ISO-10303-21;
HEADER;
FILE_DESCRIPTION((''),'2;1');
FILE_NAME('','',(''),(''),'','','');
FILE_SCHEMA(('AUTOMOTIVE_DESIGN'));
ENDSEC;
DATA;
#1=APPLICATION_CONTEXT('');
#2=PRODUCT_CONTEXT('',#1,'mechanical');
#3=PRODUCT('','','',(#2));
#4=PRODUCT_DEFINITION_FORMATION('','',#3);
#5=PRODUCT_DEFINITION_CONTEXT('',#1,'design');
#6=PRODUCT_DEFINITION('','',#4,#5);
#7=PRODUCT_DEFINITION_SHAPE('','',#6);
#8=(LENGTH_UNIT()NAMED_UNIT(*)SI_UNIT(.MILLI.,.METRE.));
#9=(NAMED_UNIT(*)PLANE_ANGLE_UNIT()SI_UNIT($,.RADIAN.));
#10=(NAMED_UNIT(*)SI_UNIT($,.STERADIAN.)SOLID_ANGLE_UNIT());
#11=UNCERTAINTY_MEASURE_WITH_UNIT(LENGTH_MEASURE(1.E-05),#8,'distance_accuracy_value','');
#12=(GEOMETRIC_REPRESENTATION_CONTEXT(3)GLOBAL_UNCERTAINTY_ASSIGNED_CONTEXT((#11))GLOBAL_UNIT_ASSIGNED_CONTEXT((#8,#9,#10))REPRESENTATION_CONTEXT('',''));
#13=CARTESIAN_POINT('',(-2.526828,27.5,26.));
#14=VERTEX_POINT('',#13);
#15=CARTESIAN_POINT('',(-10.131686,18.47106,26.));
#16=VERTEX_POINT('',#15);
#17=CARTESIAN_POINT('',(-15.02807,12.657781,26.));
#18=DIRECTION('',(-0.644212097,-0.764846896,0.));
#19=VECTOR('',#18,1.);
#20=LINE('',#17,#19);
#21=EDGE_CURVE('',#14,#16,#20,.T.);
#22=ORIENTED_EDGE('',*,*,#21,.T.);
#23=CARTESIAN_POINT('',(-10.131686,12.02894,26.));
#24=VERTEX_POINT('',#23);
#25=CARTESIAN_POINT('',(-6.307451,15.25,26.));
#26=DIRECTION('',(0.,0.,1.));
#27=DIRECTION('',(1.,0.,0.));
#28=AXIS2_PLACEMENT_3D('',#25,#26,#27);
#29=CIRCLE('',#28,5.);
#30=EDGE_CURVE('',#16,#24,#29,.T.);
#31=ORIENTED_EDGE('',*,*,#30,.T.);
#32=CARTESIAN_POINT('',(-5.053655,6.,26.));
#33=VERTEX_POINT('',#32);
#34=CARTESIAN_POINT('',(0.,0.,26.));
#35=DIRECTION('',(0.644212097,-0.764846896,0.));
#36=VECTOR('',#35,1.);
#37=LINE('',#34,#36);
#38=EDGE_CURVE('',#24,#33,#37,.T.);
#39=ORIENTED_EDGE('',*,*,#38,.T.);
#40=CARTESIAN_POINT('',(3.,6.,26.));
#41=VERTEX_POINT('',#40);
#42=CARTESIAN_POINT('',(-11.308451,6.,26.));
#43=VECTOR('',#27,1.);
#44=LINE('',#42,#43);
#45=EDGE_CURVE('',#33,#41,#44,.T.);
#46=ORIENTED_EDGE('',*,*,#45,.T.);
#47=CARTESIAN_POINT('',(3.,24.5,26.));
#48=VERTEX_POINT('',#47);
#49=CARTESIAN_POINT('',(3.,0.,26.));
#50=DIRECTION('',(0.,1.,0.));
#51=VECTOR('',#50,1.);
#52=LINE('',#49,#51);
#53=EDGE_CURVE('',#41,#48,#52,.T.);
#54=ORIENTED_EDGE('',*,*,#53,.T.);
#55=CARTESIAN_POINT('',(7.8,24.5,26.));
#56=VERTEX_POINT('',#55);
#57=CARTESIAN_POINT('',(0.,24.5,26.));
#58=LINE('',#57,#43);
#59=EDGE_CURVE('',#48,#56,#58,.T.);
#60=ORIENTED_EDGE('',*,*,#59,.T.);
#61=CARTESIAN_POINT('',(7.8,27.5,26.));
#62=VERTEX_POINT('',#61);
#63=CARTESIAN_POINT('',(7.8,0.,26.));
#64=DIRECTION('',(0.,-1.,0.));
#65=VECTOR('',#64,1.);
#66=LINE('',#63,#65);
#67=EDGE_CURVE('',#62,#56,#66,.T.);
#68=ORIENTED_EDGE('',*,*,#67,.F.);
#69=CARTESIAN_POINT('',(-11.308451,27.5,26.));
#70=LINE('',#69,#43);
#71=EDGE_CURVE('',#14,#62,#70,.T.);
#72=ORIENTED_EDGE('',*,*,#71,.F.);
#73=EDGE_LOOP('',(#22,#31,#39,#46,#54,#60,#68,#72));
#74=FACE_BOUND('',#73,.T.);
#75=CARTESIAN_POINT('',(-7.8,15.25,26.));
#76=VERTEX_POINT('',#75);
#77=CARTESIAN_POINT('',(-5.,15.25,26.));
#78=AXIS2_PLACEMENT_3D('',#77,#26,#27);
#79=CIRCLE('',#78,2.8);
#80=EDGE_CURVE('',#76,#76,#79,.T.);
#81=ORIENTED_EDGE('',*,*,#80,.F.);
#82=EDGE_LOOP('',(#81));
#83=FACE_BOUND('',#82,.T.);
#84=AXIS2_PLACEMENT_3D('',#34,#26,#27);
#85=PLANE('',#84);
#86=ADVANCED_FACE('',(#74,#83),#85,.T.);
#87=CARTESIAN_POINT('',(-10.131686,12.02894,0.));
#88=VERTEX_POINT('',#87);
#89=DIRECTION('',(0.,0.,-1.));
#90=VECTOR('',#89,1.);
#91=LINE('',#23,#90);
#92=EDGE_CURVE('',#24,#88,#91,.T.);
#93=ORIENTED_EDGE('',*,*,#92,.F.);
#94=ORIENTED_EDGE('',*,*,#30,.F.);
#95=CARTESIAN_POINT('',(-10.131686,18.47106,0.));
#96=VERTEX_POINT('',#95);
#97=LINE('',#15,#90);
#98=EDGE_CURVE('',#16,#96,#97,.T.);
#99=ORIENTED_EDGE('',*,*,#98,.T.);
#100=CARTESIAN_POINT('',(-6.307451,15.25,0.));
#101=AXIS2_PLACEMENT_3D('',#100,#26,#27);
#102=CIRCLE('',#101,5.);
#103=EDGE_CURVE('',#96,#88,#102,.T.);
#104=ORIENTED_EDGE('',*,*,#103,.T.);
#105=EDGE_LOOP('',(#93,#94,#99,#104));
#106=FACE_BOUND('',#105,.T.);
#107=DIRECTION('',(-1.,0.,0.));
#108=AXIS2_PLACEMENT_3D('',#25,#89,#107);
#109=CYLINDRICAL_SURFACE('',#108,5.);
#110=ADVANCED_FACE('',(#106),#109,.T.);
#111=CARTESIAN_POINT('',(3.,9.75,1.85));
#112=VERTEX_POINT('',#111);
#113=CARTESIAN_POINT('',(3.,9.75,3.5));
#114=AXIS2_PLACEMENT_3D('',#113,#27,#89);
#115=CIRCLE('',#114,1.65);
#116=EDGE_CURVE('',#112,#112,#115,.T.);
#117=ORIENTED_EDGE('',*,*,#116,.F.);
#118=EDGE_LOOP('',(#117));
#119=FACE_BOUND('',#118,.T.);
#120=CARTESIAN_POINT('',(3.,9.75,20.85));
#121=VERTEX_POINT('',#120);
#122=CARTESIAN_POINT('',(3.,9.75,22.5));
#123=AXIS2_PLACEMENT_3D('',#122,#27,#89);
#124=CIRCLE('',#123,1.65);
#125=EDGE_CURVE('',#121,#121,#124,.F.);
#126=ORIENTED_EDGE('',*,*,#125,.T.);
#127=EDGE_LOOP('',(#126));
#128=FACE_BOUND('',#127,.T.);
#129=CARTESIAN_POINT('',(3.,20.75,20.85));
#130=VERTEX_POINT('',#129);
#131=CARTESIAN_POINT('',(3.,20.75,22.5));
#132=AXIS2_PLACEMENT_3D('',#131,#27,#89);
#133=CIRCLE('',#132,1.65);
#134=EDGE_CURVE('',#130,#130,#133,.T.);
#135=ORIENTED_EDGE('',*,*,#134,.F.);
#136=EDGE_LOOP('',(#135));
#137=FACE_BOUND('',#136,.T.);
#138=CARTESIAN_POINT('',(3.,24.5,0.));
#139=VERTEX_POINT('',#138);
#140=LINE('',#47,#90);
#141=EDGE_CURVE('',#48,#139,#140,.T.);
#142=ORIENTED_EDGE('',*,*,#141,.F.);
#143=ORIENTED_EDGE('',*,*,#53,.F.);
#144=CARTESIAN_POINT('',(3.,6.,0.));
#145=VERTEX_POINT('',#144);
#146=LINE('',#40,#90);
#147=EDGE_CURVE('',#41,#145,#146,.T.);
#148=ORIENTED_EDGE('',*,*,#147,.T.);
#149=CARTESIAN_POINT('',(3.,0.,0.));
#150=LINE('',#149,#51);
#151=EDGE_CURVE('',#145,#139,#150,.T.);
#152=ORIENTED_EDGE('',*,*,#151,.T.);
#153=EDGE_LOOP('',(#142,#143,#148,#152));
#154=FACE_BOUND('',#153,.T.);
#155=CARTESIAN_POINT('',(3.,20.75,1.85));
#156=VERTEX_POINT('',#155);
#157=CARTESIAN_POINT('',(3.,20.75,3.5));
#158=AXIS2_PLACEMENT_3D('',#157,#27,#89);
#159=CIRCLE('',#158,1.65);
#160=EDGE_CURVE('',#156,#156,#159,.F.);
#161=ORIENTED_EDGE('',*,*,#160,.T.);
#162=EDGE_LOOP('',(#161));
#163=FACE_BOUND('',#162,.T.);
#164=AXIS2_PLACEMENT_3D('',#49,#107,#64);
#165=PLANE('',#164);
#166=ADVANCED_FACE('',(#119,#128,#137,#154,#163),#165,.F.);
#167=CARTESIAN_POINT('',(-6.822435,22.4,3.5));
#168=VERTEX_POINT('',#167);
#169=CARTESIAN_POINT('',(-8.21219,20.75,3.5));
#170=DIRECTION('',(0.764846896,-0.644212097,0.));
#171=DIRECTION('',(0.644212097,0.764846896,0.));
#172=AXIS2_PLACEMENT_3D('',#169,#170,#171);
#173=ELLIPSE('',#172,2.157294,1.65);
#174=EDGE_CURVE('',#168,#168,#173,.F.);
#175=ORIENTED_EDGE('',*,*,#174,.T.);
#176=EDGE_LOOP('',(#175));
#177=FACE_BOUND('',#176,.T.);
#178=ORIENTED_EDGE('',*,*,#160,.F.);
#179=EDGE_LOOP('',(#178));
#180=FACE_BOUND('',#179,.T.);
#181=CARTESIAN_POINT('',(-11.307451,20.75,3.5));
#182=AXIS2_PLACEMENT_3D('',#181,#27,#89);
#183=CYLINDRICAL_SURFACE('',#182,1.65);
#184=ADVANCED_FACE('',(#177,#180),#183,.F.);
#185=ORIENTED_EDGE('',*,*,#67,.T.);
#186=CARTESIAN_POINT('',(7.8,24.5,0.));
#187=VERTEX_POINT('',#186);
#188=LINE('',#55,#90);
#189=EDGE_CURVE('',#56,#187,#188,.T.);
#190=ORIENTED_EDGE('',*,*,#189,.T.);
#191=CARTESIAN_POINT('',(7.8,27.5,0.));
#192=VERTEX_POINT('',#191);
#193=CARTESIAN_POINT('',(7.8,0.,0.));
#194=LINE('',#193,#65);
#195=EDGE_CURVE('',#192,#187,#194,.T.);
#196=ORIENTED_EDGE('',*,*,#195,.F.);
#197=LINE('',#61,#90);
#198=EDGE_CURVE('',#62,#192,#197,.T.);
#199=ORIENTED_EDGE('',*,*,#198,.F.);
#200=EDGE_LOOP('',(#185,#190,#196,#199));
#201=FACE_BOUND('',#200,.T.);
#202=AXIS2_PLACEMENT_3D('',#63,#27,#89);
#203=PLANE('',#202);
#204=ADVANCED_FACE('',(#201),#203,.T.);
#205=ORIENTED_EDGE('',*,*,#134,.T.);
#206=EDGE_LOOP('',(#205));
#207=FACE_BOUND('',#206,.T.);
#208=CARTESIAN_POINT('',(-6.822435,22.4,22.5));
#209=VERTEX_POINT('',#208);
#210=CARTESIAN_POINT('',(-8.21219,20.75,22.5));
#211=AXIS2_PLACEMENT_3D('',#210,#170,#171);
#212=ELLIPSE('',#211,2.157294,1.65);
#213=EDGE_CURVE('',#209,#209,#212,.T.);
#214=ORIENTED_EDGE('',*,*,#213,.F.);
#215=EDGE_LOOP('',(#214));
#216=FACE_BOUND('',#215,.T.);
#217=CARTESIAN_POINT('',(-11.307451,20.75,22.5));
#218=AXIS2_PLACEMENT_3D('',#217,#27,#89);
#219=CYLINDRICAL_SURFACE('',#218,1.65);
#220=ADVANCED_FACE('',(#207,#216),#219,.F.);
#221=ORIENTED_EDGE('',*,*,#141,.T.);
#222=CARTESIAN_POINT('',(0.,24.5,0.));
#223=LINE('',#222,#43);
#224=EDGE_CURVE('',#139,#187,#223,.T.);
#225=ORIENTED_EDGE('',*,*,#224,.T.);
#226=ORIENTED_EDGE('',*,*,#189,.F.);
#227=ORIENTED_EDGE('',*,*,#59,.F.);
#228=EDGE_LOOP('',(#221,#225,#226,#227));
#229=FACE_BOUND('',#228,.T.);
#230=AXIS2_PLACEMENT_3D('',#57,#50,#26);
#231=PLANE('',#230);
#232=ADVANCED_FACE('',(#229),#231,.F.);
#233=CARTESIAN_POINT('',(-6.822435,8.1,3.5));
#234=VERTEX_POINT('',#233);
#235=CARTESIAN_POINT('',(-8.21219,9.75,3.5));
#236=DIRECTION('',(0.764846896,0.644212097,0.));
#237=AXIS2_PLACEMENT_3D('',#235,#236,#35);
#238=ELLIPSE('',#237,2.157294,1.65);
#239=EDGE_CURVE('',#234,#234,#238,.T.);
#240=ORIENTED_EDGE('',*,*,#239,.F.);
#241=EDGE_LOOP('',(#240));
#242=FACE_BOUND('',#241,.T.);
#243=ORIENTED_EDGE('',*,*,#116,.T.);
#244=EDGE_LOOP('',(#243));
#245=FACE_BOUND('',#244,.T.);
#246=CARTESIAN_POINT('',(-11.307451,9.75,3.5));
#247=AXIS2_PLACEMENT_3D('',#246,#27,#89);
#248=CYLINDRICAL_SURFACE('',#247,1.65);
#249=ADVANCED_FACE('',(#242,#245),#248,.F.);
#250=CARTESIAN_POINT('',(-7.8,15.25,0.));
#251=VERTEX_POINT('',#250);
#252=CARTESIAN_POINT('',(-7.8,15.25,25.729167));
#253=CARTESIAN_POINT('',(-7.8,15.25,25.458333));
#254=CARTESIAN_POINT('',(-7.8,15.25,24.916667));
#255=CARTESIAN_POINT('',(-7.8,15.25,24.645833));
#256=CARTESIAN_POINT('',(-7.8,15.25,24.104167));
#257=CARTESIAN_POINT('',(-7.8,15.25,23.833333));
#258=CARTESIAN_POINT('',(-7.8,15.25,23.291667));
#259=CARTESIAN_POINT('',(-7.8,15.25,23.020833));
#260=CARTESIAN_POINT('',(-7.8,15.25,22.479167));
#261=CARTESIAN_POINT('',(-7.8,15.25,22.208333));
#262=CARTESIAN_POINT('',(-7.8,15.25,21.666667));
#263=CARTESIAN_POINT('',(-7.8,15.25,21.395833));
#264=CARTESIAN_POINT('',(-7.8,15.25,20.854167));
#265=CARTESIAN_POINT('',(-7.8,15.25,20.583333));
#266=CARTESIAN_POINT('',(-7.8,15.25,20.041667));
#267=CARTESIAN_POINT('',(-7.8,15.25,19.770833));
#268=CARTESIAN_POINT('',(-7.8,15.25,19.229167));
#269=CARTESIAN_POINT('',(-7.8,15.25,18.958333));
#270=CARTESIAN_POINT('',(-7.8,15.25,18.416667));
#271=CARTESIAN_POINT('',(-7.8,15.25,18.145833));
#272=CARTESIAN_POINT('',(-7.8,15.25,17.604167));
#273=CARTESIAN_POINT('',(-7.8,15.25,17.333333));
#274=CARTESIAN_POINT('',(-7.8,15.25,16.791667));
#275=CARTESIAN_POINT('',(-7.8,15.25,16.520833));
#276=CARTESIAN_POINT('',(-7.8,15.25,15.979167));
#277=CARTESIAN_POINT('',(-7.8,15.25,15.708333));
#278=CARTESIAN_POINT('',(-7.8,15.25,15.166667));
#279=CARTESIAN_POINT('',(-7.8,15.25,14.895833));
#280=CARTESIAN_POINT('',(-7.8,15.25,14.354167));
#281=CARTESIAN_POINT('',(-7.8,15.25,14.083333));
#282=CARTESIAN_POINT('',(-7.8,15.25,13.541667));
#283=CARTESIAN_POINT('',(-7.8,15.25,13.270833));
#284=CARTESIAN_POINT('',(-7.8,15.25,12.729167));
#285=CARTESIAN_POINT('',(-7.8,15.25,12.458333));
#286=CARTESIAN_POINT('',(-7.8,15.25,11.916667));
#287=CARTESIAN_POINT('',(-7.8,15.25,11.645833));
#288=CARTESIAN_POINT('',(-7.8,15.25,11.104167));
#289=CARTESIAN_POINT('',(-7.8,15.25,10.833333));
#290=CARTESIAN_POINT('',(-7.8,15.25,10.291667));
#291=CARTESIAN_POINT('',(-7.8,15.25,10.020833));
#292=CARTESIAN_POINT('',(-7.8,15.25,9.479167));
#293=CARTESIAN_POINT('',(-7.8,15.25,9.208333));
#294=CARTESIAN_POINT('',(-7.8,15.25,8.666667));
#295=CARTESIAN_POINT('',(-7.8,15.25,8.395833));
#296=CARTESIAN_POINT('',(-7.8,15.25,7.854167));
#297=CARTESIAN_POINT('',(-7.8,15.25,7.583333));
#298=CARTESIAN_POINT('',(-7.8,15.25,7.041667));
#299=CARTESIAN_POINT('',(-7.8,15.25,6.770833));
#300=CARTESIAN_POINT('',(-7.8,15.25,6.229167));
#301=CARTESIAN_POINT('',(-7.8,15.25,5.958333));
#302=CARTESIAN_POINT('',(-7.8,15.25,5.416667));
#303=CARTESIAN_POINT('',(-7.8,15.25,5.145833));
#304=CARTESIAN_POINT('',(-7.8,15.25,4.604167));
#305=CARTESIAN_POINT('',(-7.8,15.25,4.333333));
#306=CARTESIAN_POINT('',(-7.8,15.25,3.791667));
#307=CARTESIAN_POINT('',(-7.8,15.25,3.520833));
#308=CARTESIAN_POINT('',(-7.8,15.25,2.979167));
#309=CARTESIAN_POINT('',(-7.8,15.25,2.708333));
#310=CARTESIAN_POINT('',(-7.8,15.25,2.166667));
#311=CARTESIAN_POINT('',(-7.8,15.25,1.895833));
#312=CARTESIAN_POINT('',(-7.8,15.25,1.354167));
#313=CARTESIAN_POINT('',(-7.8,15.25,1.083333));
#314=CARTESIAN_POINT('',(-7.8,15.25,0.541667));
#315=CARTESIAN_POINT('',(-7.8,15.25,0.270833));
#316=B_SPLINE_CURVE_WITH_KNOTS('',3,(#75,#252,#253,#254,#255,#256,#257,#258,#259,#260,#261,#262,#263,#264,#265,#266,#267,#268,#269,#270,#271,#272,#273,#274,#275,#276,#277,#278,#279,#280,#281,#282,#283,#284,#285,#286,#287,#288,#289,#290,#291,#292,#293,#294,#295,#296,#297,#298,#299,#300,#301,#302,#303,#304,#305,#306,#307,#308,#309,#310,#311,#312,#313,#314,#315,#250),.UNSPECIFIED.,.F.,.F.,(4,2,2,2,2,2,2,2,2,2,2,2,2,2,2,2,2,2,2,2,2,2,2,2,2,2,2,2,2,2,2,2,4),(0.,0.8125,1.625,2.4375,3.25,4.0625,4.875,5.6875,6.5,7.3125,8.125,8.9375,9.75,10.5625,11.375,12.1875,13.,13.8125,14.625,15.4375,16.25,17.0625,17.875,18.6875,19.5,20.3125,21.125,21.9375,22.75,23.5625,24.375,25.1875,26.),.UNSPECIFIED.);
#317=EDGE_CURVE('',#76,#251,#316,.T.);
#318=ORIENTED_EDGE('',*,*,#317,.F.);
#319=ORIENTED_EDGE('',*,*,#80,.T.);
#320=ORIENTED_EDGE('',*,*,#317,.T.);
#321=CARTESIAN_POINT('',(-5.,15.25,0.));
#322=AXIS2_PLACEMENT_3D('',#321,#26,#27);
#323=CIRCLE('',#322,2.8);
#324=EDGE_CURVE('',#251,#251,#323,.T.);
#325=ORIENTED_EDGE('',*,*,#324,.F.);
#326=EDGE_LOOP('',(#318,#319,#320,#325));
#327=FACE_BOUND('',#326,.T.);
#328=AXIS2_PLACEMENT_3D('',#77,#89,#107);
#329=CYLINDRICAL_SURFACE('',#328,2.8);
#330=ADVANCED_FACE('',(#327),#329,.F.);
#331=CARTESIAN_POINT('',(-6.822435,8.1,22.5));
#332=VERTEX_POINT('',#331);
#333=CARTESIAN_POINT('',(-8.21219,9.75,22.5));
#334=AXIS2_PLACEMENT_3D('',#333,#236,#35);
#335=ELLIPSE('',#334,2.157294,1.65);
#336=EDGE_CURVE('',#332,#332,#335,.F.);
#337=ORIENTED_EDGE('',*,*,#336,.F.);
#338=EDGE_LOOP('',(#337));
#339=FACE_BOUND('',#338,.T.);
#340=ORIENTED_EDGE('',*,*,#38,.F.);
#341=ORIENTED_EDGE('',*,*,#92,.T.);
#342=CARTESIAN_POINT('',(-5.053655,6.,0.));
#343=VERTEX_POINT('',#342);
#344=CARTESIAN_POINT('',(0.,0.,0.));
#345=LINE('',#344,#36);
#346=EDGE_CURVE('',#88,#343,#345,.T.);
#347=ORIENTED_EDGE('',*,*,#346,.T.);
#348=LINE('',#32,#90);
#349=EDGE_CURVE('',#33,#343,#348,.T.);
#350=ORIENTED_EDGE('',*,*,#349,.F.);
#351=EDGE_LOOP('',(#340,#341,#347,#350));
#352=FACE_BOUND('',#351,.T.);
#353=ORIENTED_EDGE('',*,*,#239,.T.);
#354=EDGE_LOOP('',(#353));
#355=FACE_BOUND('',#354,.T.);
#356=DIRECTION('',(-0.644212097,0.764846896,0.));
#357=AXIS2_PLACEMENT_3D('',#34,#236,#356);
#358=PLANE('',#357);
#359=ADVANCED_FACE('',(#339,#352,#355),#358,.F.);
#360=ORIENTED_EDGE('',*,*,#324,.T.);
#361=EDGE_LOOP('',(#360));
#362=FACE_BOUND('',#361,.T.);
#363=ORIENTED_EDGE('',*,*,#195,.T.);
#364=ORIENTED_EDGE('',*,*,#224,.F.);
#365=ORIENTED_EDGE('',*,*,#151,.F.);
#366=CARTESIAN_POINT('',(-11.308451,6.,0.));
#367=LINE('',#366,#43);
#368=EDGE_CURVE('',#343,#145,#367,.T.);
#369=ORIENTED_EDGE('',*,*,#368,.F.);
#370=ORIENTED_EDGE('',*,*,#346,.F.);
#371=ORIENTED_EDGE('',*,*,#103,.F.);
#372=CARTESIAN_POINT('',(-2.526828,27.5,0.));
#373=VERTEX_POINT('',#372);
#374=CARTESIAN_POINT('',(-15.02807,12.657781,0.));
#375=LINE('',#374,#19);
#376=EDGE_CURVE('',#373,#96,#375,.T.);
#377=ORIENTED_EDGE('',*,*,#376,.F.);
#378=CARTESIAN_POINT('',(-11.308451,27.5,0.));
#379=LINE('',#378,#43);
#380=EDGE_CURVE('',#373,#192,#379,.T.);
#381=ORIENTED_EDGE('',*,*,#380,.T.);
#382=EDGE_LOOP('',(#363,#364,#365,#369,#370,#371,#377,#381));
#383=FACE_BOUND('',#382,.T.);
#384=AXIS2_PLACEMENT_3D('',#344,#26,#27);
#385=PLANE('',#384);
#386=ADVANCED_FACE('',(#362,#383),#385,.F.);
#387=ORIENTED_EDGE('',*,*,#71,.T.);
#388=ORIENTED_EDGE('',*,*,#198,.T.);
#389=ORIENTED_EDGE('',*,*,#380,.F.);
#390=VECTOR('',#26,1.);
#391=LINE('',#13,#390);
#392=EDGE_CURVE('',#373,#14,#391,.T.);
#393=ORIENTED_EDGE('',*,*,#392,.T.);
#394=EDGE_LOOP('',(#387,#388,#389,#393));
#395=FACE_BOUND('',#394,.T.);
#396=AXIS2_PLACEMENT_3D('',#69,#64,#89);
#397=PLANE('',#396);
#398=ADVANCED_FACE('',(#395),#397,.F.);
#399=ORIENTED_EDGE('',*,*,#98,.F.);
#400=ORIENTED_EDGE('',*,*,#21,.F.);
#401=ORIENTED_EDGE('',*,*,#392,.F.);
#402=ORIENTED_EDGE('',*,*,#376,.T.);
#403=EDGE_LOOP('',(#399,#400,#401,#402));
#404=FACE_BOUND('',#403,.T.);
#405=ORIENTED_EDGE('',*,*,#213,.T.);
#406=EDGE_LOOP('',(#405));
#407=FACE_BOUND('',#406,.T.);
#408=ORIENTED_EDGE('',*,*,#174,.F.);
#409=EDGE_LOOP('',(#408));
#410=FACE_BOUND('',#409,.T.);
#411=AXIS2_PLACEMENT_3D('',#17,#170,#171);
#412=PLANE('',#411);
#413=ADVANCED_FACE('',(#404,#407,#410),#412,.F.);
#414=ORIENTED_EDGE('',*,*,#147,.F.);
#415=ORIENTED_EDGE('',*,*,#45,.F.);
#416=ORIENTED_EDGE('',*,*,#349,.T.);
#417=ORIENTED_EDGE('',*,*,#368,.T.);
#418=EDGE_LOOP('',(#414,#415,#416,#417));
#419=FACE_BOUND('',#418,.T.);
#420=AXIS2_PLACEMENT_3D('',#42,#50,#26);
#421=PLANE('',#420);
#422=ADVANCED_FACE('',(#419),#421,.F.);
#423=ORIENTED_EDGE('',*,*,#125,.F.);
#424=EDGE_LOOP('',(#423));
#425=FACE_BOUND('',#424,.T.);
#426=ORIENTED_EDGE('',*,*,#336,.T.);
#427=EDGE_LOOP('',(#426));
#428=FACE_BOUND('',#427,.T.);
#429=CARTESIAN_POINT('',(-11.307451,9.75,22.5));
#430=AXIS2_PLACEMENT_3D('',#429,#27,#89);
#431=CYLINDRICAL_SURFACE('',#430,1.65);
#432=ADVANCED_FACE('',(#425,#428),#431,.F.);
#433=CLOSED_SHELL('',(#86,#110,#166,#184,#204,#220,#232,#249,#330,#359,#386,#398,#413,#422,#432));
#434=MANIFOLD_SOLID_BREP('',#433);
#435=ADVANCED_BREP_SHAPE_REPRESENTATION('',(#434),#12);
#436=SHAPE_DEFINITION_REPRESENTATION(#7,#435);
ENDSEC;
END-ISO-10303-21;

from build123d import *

# Parameters (mm, degrees)
SKETCH_1_R             = 2.8
EXTRUDE_1_DEPTH        = 26
SKETCH_2_R             = 1.65
CUT_EXTRUDE_2_DEPTH    = 43.555295324
CUT_EXTRUDE_2120_REACH = 46.4
SKETCH_4_W             = 26
SKETCH_4_H             = 3
CUT_EXTRUDE_3_REACH    = 44.395
SKETCH_7_W             = 26
SKETCH_7_H             = 3


with BuildPart() as part:
    # 草图1 → 凸台-拉伸1 (new body)
    with BuildSketch(Plane.XY):
        with BuildLine():
            Line((3, 6), (3, 24.5))
            Line((3, 24.5), (7.8, 24.5))
            Line((7.8, 24.5), (7.8, 30.5))
            Line((7.8, 30.5), (0, 30.5))
            Line((0, 30.5), (-10.13168569, 18.471060485))
            ThreePointArc((-10.13168569, 18.471060485), (-11.307451211, 15.25), (-10.13168569, 12.028939515))
            Line((-10.13168569, 12.028939515), (0, 0))
            Line((0, 0), (7.8, 0))
            Line((7.8, 0), (7.8, 6))
            Line((7.8, 6), (3, 6))
        make_face()
        with Locations(Location((-5, 15.25, 0), (0, 0, 180))):
            Circle(SKETCH_1_R, mode=Mode.SUBTRACT)
    extrude(amount=EXTRUDE_1_DEPTH)

    # 草图2 → 切除-拉伸2 (cut, through all)
    with BuildSketch(Plane(origin=(3, 0, 0), x_dir=(0, 0, -1), z_dir=(1, 0, 0))):
        with Locations((-3.5, 20.75)):
            Circle(SKETCH_2_R)
        with Locations((-22.5, 9.75)):
            Circle(SKETCH_2_R)
        with Locations((-22.5, 20.75)):
            Circle(SKETCH_2_R)
        with Locations((-3.5, 9.75)):
            Circle(SKETCH_2_R)
    extrude(amount=-CUT_EXTRUDE_2_DEPTH, mode=Mode.SUBTRACT)

    # 草图4 → Cut-Extrude 2120 (cut, up to next)
    with BuildSketch(Plane(origin=(7.8, 0, 0), x_dir=(0, 0, -1), z_dir=(1, 0, 0)), mode=Mode.PRIVATE) as cut_extrude_2120_sk1:
        with Locations((-13, 29)):
            Rectangle(SKETCH_4_W, SKETCH_4_H)
    cut_extrude_2120_tool1 = extrude(cut_extrude_2120_sk1.sketch, amount=-CUT_EXTRUDE_2120_REACH, mode=Mode.PRIVATE) & part.part
    # 草图4 → Cut-Extrude 2120 (cut, up to next)
    with BuildSketch(Plane(origin=(7.8, 0, 0), x_dir=(0, 0, -1), z_dir=(1, 0, 0)), mode=Mode.PRIVATE) as cut_extrude_2120_sk2:
        with Locations((-13, 1.5)):
            Rectangle(SKETCH_4_W, SKETCH_4_H)
    cut_extrude_2120_tool2 = extrude(cut_extrude_2120_sk2.sketch, amount=-CUT_EXTRUDE_2120_REACH, mode=Mode.PRIVATE) & part.part
    add(cut_extrude_2120_tool1.solids().sort_by_distance((7.8, 29, 13))[0], mode=Mode.SUBTRACT)
    add(cut_extrude_2120_tool2.solids().sort_by_distance((7.8, 1.5, 13))[0], mode=Mode.SUBTRACT)

    # 切除-拉伸3: up to this plane
    cut_extrude_3_end = Plane(origin=(0, 0, 26), z_dir=(0.7648468958435873, 0.6442120969978977, 0))
    # 草图7 → 切除-拉伸3 (cut, up to the surface)
    with BuildSketch(Plane(origin=(7.8, 0, 0), x_dir=(0, 0, -1), z_dir=(1, 0, 0)), mode=Mode.PRIVATE) as cut_extrude_3_sk1:
        with Locations((-13, 4.5)):
            Rectangle(SKETCH_7_W, SKETCH_7_H)
    cut_extrude_3_tool1 = split(extrude(cut_extrude_3_sk1.sketch, amount=-CUT_EXTRUDE_3_REACH, mode=Mode.PRIVATE), bisect_by=cut_extrude_3_end, keep=Keep.BOTH, mode=Mode.PRIVATE)
    add(cut_extrude_3_tool1.solids().sort_by_distance((7.8, 4.5, 13))[0], mode=Mode.SUBTRACT)


solid = part.part
